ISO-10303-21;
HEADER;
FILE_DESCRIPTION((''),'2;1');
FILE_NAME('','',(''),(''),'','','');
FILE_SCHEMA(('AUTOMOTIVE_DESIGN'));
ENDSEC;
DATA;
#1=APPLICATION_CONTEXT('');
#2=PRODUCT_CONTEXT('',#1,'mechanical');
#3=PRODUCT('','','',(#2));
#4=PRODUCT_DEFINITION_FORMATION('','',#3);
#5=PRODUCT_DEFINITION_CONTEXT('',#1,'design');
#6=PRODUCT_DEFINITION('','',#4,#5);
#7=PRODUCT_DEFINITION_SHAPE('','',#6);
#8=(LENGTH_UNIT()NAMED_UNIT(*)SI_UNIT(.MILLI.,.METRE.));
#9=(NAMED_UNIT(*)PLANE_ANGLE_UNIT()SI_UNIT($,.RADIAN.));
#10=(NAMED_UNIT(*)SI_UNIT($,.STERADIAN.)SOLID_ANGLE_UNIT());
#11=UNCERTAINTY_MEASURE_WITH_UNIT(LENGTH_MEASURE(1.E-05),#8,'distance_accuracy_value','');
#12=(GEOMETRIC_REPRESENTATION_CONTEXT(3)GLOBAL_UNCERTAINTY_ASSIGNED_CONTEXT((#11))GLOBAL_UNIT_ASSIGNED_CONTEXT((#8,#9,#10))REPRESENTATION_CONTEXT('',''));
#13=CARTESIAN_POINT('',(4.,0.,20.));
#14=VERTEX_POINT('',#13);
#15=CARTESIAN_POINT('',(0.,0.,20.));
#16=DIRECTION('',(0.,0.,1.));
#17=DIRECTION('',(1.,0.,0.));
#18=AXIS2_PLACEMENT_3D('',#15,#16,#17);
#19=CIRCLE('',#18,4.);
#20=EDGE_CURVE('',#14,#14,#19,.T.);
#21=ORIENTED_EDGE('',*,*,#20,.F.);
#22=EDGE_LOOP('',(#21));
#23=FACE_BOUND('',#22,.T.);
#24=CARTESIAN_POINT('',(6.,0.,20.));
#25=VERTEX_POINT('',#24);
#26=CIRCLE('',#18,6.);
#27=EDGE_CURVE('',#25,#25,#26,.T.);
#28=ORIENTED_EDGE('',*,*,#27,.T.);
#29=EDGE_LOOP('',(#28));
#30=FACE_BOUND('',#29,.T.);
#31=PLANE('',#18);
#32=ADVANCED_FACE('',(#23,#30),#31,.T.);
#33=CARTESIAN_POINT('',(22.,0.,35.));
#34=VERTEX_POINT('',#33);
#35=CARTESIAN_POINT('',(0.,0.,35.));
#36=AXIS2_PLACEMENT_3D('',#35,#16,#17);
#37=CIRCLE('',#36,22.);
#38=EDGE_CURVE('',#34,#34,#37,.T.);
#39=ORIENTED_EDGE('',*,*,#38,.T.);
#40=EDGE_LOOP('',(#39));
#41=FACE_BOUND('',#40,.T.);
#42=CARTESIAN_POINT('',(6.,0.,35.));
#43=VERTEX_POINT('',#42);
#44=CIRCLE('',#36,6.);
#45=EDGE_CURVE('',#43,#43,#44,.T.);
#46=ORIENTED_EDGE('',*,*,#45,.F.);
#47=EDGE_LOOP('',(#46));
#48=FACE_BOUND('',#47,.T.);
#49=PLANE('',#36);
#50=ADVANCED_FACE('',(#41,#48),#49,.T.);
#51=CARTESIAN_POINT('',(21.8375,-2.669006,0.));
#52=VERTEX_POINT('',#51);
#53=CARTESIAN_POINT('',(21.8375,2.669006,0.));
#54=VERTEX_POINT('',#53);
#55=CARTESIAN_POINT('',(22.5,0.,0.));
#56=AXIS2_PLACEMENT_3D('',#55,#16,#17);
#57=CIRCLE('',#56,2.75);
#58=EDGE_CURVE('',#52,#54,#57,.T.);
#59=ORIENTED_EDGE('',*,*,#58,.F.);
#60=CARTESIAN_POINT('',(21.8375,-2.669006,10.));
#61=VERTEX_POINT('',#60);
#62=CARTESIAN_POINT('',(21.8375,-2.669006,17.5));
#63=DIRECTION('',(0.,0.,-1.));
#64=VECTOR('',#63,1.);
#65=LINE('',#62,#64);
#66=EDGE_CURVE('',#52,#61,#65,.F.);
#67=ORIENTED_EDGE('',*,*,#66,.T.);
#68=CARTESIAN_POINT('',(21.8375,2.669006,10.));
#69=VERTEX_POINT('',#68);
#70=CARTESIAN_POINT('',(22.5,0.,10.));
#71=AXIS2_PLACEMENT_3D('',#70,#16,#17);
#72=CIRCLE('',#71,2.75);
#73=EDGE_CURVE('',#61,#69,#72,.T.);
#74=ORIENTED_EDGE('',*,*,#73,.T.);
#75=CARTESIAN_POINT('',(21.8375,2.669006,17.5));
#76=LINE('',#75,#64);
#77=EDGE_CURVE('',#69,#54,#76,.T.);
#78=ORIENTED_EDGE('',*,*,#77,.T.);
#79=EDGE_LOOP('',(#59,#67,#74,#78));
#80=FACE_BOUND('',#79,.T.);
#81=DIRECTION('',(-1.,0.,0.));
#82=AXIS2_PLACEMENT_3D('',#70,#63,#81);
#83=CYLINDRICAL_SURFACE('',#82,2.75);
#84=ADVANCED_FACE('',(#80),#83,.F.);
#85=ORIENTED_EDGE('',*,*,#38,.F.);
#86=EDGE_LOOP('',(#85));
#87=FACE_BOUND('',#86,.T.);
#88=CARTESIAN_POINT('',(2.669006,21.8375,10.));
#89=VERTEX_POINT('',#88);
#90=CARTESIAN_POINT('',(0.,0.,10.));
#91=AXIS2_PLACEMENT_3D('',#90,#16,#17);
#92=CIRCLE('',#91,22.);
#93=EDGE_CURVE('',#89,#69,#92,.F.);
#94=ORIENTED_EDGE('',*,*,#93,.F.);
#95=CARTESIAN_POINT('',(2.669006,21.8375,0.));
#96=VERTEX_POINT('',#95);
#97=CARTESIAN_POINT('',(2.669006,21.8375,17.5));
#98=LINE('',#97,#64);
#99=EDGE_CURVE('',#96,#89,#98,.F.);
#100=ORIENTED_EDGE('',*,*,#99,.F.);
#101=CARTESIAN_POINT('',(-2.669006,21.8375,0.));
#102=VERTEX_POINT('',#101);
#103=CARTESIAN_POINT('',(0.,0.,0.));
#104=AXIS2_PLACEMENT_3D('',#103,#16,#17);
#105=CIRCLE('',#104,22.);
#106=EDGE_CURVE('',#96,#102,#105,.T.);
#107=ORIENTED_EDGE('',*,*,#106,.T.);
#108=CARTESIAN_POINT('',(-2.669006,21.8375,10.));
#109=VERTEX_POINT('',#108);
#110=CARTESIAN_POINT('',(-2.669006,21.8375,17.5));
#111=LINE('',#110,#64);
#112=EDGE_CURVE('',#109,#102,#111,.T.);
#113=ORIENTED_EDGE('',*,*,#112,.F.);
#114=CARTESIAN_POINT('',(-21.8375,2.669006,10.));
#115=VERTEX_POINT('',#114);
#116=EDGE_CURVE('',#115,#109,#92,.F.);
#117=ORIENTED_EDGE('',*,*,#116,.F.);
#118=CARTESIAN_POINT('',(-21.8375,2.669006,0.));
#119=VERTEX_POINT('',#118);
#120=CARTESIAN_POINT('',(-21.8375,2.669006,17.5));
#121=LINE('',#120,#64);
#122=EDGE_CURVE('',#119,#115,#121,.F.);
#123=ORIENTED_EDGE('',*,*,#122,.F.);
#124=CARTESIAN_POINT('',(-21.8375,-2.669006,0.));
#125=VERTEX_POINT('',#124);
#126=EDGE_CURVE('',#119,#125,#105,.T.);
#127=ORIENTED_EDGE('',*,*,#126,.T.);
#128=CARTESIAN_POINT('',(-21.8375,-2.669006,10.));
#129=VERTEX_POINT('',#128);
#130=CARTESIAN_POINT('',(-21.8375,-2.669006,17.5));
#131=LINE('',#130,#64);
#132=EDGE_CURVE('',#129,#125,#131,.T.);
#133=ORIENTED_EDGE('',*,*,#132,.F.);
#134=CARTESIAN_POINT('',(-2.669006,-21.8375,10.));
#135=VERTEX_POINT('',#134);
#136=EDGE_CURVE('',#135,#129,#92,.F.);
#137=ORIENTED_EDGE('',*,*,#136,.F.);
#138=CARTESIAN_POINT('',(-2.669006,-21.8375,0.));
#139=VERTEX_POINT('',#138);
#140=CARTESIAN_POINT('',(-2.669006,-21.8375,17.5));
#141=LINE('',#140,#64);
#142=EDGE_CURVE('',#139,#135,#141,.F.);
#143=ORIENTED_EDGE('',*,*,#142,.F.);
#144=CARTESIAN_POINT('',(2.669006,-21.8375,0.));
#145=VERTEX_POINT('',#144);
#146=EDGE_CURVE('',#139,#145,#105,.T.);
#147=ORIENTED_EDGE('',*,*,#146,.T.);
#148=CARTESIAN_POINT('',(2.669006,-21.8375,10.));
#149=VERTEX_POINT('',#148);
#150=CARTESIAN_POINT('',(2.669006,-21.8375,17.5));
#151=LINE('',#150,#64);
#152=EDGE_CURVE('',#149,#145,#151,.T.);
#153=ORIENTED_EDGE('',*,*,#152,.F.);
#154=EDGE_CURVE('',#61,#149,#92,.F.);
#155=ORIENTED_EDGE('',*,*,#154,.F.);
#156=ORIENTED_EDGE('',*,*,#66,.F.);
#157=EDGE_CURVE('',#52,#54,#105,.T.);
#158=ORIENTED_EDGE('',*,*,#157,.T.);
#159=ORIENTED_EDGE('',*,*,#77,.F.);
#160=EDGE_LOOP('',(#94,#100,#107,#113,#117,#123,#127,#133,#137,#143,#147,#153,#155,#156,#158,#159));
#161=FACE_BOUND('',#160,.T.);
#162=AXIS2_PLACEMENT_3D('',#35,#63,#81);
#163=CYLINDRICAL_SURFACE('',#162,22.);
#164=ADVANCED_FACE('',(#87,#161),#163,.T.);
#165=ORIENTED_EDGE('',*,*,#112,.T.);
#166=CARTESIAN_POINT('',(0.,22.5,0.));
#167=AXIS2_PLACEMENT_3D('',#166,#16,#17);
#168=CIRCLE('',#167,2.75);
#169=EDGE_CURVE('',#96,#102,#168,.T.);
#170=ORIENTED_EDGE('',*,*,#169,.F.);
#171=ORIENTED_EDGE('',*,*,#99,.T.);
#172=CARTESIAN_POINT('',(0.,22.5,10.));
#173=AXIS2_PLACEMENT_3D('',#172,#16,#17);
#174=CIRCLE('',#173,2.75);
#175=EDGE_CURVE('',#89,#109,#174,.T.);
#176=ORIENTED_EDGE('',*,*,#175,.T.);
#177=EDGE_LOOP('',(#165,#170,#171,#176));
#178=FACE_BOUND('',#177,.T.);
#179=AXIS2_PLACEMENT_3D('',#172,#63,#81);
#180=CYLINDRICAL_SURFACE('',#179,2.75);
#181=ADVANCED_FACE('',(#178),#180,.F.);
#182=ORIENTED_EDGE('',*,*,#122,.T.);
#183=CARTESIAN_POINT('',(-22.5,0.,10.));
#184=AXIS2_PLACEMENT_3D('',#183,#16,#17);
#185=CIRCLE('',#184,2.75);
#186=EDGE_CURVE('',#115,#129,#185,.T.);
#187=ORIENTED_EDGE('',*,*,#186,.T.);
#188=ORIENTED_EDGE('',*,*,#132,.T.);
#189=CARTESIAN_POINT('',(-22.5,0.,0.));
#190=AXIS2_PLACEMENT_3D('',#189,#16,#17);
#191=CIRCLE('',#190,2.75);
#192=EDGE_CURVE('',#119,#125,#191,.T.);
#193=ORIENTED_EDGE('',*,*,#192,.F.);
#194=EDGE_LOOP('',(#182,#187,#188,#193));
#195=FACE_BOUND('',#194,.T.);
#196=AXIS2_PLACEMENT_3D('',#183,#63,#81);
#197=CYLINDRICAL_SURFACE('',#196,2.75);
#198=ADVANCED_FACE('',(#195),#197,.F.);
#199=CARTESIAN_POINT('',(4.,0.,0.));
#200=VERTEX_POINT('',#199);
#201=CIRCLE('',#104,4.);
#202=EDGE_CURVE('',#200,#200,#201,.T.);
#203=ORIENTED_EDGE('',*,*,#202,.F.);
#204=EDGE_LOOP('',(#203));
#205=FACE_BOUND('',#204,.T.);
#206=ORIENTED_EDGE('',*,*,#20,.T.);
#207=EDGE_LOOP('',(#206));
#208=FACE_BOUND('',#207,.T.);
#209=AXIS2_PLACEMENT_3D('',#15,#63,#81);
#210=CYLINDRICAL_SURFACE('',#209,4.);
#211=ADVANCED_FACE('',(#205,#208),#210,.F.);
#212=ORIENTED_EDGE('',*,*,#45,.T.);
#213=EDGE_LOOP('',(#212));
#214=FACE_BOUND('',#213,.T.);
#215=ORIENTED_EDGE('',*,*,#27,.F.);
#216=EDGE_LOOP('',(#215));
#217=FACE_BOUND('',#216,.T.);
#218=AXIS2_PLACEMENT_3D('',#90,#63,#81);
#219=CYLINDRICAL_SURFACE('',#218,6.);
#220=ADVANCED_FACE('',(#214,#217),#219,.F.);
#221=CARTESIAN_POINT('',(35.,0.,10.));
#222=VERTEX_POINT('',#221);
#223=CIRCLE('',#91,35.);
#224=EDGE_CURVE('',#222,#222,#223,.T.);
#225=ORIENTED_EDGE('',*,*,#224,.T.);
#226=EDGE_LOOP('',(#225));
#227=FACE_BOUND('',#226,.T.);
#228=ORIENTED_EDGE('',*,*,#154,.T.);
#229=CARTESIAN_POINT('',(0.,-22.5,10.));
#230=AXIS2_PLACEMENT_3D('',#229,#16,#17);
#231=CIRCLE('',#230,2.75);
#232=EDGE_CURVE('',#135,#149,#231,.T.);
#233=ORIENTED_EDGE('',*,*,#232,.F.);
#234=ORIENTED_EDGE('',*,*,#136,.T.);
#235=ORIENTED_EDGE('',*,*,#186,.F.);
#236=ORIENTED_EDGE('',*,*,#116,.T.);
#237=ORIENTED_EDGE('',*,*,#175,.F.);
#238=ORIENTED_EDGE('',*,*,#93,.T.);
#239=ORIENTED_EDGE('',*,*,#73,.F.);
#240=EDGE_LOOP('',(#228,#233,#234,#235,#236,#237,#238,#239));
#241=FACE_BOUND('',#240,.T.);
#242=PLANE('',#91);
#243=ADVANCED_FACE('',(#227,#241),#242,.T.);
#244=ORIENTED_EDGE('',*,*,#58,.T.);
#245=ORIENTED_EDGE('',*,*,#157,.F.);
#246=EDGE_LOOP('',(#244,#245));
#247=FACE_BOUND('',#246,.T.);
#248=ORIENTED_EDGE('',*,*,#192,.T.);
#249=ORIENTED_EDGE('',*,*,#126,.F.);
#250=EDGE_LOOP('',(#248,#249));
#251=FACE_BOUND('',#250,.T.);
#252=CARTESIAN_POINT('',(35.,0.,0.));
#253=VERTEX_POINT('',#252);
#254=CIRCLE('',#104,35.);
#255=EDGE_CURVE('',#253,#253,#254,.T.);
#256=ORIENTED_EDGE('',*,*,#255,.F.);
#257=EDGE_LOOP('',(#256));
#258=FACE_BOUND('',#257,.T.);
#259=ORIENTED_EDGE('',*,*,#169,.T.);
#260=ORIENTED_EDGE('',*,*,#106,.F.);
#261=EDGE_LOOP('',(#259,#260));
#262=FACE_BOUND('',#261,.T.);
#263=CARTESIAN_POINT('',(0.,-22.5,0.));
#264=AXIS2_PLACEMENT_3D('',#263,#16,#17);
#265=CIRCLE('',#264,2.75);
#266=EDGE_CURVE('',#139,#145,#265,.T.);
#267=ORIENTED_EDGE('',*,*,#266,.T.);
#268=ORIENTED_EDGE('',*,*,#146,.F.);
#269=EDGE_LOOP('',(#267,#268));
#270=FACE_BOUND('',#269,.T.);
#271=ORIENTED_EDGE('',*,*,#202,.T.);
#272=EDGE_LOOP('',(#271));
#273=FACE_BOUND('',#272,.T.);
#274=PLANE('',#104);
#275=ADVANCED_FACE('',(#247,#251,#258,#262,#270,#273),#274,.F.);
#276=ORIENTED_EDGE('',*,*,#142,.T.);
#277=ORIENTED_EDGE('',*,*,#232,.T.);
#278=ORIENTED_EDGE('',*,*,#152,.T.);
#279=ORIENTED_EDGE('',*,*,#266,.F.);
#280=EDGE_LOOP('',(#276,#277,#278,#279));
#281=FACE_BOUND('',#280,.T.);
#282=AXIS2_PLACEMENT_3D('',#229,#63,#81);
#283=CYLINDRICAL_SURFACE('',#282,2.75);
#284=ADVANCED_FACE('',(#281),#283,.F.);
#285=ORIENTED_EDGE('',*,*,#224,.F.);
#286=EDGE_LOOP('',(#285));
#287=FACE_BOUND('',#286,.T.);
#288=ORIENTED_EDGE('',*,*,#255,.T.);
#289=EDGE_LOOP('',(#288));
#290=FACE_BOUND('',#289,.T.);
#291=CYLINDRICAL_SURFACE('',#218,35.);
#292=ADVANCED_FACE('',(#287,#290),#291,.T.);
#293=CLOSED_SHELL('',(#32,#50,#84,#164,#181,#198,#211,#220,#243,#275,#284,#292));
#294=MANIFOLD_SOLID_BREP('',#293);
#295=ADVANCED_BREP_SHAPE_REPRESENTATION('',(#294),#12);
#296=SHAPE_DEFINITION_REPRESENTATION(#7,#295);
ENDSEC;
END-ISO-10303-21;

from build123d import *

# Parameters (mm, degrees)
SKETCH1_R           = 35
SKETCH1_R_2         = 6
SKETCH1_R_3         = 2.75
BOSS_EXTRUDE1_DEPTH = 10
SKETCH2_R           = 22
SKETCH2_R_2         = 6
BOSS_EXTRUDE2_DEPTH = 35
SKETCH3_R           = 12
SKETCH3_R_2         = 4
BOSS_EXTRUDE3_DEPTH = 20


with BuildPart() as part:
    # Sketch1 → Boss-Extrude1 (new body)
    with BuildSketch(Plane.XY):
        Circle(SKETCH1_R)
        Circle(SKETCH1_R_2, mode=Mode.SUBTRACT)
        with Locations((22.5, 0)):
            Circle(SKETCH1_R_3, mode=Mode.SUBTRACT)
        with Locations((0, 22.5)):
            Circle(SKETCH1_R_3, mode=Mode.SUBTRACT)
        with Locations((-22.5, 0)):
            Circle(SKETCH1_R_3, mode=Mode.SUBTRACT)
        with Locations((0, -22.5)):
            Circle(SKETCH1_R_3, mode=Mode.SUBTRACT)
    extrude(amount=BOSS_EXTRUDE1_DEPTH)

    # Sketch2 → Boss-Extrude2 (add)
    with BuildSketch(Plane.XY):
        Circle(SKETCH2_R)
        Circle(SKETCH2_R_2, mode=Mode.SUBTRACT)
    extrude(amount=BOSS_EXTRUDE2_DEPTH)

    # Sketch3 → Boss-Extrude3 (add)
    with BuildSketch(Plane.XY):
        Circle(SKETCH3_R)
        Circle(SKETCH3_R_2, mode=Mode.SUBTRACT)
    extrude(amount=BOSS_EXTRUDE3_DEPTH)


solid = part.part
